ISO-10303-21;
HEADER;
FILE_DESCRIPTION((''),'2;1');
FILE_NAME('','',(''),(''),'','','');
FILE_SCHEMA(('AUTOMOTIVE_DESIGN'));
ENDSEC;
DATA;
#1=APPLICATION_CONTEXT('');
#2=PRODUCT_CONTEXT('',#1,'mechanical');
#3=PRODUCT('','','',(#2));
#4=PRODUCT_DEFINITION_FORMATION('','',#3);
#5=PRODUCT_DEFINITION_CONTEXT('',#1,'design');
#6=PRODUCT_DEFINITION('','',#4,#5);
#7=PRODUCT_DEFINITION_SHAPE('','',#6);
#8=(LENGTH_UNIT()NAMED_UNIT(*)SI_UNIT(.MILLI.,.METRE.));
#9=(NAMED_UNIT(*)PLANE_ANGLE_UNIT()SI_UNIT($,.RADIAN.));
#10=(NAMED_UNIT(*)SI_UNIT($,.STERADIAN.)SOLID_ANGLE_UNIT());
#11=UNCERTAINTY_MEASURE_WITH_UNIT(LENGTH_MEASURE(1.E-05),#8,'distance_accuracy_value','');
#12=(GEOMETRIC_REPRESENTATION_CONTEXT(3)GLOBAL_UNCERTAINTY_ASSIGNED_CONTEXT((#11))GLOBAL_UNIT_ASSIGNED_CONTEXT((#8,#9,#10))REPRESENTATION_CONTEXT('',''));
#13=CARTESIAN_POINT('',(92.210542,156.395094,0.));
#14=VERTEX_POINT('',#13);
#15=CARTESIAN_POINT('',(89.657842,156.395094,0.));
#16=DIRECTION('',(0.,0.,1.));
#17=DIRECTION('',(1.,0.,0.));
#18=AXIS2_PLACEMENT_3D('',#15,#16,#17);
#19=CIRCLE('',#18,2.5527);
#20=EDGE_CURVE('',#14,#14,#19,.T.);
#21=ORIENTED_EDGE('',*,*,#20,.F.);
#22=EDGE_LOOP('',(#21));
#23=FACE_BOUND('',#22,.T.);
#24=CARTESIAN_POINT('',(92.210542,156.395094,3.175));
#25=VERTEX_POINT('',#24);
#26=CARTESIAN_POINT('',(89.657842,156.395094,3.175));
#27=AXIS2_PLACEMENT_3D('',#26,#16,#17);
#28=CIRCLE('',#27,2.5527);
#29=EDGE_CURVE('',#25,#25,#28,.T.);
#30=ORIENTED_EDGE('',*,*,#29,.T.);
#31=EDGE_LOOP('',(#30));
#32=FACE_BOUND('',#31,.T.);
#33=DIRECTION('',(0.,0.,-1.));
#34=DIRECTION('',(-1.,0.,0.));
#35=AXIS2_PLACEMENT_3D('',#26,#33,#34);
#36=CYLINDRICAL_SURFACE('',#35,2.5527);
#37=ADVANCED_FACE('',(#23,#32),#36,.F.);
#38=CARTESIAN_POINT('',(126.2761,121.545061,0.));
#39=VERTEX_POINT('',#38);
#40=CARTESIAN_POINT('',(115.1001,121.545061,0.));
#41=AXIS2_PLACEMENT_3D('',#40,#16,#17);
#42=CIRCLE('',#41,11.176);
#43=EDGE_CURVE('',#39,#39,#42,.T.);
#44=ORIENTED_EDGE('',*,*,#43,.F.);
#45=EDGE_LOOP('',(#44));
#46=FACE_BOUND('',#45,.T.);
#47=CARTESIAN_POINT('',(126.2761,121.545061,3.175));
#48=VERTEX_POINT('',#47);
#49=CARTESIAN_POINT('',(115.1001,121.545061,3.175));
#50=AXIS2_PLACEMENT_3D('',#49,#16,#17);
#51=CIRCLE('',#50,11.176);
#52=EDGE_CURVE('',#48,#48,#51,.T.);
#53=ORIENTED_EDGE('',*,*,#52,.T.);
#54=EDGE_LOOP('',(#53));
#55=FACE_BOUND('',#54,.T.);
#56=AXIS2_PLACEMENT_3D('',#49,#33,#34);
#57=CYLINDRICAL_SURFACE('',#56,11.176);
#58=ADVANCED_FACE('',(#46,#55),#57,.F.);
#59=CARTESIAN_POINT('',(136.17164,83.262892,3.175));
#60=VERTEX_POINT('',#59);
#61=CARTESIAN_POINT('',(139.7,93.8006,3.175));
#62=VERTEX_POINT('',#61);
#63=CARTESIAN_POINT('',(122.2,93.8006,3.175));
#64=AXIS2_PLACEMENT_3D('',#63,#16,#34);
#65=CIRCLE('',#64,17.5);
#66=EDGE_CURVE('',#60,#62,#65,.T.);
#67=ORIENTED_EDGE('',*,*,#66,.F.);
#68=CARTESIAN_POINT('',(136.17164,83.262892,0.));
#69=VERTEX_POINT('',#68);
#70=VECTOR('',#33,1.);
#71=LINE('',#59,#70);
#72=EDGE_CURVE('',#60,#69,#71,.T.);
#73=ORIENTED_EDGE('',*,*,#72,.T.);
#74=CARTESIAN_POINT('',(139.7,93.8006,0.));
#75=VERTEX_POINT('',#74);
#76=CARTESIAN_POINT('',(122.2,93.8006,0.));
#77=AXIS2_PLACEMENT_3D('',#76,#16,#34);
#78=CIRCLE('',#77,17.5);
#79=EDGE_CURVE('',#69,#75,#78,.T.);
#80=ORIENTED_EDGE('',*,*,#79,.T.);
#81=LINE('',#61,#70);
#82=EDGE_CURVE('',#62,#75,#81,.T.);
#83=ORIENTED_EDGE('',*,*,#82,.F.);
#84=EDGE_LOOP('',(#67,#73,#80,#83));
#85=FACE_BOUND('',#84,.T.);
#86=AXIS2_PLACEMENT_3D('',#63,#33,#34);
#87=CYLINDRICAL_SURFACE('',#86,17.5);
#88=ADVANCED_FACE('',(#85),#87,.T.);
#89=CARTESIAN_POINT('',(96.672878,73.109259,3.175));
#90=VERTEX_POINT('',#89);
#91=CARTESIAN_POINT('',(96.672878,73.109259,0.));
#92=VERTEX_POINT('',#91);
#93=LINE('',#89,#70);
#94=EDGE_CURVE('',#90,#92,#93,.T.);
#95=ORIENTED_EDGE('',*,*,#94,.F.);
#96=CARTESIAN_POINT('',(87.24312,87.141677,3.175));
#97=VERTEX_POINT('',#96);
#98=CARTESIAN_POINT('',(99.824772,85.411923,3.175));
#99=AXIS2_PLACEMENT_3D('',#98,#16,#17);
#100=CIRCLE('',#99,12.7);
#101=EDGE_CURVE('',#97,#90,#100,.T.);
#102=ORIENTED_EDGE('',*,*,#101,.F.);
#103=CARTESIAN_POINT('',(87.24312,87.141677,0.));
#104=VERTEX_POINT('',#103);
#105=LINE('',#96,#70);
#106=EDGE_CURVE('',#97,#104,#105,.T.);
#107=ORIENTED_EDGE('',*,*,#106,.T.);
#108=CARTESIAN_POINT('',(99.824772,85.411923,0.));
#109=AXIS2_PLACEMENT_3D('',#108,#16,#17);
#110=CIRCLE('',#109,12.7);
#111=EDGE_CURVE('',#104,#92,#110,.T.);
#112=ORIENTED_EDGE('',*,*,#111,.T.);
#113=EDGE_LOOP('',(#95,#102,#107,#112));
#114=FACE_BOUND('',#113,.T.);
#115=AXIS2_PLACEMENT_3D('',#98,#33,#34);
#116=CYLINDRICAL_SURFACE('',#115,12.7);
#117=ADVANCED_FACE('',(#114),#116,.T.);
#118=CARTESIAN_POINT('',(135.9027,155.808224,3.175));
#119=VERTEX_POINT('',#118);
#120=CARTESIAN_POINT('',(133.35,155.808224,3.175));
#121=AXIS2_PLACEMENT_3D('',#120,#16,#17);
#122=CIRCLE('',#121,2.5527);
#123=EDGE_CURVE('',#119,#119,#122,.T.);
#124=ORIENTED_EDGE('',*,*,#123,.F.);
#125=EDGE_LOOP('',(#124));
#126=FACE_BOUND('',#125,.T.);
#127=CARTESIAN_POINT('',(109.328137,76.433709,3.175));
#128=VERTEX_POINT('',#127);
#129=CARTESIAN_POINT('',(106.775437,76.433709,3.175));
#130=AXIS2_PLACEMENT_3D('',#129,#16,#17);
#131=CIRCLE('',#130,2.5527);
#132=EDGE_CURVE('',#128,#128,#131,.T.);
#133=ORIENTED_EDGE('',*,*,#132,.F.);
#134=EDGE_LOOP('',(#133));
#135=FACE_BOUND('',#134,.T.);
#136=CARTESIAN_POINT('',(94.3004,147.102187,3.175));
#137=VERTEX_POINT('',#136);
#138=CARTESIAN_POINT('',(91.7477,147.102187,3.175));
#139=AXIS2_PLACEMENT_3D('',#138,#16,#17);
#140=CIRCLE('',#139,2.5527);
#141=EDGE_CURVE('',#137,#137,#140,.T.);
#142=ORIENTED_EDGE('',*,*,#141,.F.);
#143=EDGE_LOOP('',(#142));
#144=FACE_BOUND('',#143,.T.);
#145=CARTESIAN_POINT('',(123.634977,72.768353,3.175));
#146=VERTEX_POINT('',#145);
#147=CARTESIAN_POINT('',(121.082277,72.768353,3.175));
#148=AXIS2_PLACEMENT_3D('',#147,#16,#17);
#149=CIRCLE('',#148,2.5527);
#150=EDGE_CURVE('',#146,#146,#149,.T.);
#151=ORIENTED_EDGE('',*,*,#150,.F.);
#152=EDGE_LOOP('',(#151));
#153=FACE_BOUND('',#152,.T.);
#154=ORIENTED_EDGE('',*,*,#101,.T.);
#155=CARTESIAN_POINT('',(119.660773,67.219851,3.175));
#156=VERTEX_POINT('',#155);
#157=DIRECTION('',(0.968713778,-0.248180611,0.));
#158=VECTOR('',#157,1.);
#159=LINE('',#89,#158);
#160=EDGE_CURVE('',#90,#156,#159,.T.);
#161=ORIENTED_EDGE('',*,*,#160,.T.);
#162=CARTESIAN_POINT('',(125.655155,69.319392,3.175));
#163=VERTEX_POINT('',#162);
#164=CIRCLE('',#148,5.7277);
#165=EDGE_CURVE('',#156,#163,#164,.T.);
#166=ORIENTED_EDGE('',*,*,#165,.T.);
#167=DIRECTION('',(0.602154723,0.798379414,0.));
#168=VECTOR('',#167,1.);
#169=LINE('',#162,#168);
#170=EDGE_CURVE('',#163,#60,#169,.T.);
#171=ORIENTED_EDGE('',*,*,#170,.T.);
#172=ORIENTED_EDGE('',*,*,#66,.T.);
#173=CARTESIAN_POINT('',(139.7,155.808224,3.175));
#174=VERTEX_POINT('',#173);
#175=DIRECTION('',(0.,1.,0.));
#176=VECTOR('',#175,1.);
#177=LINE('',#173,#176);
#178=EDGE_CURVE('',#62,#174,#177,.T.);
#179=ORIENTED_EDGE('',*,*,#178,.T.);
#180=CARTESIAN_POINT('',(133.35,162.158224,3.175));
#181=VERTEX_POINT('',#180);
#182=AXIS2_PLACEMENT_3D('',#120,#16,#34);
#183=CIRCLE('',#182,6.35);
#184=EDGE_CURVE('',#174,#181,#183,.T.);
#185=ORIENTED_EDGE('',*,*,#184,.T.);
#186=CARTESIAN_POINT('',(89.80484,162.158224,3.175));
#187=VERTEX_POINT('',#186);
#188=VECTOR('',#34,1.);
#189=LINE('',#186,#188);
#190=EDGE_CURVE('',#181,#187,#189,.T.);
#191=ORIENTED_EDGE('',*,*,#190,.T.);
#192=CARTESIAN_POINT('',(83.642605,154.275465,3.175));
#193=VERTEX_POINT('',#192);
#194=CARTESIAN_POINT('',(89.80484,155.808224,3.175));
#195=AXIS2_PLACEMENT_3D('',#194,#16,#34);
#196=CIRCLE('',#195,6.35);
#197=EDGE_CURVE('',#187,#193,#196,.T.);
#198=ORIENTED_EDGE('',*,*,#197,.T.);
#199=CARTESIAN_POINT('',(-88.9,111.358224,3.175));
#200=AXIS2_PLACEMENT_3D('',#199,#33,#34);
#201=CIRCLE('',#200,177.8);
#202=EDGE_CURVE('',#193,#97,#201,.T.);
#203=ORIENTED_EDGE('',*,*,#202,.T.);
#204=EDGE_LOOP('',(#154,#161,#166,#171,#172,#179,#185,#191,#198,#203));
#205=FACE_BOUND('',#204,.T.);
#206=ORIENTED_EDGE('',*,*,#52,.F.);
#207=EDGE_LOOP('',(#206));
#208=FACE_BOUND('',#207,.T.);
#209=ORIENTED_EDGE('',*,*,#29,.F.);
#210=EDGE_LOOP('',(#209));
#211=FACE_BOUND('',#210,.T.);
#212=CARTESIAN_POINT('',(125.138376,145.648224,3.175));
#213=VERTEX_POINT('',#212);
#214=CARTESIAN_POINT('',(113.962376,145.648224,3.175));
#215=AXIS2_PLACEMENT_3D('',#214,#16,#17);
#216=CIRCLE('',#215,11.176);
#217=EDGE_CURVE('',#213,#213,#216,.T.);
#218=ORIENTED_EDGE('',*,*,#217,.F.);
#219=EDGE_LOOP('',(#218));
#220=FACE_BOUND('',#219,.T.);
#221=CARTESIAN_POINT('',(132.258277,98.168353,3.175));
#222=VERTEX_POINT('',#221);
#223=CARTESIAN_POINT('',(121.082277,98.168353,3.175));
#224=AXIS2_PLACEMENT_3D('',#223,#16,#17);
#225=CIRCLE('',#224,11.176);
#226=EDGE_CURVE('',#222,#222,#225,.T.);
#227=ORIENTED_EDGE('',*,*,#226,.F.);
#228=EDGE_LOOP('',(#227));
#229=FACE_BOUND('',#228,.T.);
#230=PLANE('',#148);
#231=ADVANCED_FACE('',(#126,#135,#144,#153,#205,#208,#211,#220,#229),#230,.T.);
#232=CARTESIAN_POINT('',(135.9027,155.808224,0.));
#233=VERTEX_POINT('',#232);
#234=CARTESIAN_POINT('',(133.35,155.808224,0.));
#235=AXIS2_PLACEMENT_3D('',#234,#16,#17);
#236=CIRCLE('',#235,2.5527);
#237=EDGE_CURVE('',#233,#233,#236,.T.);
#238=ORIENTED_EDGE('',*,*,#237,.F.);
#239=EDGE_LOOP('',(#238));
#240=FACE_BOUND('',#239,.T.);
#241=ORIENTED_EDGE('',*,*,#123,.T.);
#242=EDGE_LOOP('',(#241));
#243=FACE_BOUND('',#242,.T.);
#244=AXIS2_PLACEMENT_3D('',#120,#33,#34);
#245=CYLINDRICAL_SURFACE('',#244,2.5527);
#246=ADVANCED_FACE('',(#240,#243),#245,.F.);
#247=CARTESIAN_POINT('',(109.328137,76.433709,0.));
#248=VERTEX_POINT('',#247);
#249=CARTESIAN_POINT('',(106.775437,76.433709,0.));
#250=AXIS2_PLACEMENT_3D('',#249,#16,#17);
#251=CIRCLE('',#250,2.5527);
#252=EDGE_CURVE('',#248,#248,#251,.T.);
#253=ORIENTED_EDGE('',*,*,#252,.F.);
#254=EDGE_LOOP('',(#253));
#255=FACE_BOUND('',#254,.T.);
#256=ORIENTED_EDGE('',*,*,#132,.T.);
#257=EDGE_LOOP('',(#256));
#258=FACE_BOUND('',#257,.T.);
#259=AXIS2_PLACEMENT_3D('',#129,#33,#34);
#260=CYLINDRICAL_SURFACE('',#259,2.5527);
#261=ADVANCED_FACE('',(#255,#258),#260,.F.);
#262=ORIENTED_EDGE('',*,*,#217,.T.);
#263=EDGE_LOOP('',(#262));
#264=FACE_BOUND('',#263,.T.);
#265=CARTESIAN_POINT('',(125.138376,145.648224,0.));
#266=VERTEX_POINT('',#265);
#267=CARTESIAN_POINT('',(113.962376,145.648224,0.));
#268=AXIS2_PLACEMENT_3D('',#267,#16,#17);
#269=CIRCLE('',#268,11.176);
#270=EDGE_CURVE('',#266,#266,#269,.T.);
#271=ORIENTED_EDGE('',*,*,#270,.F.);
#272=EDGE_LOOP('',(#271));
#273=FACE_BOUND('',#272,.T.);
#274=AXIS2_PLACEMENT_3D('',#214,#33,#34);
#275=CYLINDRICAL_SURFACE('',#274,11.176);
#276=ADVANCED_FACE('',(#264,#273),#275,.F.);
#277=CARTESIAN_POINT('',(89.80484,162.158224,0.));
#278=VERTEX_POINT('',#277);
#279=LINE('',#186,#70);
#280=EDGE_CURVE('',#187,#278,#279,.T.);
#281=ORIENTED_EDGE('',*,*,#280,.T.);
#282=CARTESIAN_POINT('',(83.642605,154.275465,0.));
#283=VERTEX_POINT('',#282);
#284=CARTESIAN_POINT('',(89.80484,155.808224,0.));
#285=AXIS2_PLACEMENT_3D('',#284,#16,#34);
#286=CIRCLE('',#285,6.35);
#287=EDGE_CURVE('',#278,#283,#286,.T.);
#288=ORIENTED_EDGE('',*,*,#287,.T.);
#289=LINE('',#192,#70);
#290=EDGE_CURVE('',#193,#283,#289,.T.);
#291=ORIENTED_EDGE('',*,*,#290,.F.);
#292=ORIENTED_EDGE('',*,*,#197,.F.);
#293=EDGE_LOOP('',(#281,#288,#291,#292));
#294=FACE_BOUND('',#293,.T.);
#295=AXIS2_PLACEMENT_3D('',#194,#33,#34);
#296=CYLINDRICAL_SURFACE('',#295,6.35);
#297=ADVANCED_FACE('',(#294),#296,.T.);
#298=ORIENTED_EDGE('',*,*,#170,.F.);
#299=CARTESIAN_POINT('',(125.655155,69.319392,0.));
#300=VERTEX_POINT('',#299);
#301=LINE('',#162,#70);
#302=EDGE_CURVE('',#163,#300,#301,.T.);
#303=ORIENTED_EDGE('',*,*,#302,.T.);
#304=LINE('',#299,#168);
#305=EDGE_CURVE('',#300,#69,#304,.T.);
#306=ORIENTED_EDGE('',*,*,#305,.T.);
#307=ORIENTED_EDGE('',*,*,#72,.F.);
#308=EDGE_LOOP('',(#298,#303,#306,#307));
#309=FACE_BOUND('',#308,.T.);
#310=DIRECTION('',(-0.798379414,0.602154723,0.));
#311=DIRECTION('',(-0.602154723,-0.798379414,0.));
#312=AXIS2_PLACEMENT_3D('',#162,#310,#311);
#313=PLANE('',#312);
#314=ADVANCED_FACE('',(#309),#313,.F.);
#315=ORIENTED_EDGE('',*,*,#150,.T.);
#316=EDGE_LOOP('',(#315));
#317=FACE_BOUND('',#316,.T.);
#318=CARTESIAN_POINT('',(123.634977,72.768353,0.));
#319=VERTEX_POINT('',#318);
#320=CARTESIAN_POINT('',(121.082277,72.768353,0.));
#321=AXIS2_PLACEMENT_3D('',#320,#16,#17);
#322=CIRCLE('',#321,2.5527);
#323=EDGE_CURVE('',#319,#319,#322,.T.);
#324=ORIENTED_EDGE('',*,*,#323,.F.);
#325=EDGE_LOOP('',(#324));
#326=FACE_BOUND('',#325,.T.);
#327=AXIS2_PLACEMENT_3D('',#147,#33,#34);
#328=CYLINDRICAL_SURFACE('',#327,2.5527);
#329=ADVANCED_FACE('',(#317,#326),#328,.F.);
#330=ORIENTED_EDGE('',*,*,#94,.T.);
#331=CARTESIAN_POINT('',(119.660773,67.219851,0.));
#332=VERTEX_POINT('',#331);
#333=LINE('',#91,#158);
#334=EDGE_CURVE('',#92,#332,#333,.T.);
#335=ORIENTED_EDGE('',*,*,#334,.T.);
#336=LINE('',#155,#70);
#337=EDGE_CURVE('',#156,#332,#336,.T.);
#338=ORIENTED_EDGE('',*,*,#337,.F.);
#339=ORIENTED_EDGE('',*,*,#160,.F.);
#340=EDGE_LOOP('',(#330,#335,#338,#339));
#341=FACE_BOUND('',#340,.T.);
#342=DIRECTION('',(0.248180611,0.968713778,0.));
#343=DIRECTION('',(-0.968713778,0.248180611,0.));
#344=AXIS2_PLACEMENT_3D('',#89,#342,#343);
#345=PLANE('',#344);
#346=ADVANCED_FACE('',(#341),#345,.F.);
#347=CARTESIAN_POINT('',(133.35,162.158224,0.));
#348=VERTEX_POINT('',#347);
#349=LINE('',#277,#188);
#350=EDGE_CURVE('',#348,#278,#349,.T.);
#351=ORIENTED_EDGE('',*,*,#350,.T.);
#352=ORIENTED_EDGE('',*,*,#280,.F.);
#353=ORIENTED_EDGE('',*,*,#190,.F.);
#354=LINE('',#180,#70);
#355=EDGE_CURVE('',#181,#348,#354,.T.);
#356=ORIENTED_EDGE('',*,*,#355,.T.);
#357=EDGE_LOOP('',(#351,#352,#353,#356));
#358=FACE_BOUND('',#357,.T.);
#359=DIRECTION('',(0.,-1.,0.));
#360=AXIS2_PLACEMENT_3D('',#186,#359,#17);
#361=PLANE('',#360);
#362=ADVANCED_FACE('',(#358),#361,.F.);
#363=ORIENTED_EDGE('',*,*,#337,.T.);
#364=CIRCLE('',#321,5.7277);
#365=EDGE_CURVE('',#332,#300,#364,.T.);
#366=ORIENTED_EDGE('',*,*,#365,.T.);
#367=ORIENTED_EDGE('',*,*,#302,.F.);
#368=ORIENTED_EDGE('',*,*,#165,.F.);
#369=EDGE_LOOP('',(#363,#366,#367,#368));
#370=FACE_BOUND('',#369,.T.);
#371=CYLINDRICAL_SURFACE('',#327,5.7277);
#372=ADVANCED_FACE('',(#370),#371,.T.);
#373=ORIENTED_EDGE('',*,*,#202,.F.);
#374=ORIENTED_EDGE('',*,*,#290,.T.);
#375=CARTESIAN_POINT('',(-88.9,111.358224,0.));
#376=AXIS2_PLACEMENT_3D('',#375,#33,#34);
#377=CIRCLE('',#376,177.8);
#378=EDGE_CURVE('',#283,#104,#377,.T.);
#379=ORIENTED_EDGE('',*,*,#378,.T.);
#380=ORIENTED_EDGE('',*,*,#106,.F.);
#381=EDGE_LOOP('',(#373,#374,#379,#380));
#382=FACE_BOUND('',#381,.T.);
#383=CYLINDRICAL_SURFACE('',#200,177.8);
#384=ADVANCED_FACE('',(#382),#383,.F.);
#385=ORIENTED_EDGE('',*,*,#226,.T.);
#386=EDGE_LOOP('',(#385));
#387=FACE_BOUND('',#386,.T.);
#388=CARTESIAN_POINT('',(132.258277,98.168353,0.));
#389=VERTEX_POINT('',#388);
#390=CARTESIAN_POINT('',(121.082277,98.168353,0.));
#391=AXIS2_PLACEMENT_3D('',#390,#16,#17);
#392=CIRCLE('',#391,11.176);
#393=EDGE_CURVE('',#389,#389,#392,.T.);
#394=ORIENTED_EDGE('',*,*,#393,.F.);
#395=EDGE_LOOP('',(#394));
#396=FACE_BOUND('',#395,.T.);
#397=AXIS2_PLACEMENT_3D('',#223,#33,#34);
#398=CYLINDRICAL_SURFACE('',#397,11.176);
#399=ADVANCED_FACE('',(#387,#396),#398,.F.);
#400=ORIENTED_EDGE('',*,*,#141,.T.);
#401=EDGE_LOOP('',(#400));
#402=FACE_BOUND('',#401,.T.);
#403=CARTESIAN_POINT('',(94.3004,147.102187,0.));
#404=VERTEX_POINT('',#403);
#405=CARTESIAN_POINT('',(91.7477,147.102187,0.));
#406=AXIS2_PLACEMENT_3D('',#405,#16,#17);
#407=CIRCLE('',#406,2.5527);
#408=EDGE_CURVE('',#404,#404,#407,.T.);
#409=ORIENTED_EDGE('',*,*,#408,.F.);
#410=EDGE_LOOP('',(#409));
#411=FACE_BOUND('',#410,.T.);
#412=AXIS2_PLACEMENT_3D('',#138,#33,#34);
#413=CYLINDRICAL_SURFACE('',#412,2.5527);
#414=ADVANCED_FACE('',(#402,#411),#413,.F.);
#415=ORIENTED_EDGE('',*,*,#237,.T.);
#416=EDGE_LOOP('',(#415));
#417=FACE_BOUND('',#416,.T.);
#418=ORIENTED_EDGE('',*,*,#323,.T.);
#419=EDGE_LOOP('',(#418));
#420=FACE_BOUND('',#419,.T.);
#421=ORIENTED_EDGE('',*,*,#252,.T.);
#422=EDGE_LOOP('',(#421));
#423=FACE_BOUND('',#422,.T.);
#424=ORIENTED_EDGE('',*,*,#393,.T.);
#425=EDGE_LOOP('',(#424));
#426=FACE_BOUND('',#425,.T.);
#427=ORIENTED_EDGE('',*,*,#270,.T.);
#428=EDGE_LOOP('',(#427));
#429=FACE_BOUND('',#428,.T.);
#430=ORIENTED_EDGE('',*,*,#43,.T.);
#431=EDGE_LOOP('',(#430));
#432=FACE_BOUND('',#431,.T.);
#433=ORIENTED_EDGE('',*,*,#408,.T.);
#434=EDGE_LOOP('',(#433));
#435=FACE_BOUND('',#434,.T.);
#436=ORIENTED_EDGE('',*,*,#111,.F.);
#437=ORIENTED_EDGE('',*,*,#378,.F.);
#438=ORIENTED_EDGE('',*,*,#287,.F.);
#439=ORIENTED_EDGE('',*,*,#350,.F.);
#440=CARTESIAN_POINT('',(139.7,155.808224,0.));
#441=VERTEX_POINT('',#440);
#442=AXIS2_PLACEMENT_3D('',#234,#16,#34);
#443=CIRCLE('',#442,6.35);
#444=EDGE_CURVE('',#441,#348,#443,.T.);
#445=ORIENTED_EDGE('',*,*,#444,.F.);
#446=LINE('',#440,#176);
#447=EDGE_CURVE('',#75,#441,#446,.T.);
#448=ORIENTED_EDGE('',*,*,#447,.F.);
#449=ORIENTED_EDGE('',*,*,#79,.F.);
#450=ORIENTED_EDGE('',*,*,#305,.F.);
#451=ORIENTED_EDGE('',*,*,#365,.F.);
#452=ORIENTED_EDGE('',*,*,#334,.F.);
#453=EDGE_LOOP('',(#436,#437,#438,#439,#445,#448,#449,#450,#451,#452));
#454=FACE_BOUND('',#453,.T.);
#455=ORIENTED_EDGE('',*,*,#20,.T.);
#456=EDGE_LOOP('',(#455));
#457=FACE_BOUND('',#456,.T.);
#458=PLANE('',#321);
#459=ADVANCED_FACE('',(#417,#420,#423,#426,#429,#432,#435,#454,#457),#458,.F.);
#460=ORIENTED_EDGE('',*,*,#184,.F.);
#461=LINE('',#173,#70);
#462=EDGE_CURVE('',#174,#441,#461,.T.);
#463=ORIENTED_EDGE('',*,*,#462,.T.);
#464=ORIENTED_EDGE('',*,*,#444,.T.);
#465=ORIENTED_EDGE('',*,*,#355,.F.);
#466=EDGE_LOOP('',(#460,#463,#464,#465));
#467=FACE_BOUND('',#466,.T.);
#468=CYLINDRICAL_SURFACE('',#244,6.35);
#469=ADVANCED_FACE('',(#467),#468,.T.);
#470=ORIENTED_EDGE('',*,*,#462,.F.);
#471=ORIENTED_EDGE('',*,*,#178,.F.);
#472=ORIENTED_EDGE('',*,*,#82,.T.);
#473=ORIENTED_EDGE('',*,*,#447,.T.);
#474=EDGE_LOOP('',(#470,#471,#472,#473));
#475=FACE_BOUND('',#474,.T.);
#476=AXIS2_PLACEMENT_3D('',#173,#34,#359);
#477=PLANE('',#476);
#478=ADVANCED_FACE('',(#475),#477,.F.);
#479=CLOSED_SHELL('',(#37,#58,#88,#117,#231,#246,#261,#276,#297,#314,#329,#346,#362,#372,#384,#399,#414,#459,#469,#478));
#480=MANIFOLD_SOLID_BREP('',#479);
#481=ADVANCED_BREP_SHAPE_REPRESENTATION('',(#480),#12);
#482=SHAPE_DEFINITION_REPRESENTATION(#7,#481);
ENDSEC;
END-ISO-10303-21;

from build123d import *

# Parameters (mm, degrees)
SKETCH2_R           = 2.5527
SKETCH2_R_2         = 11.176
BOSS_EXTRUDE1_DEPTH = 3.175


with BuildPart() as part:
    # Sketch2 → Boss-Extrude1 (new body)
    with BuildSketch(Plane.XY):
        with BuildLine():
            Line((89.804840449, 162.158224077), (133.35, 162.158224077))
            ThreePointArc((133.35, 162.158224077), (137.840128061, 160.298352138), (139.7, 155.808224077))
            Line((139.7, 155.808224077), (139.7, 93.800599977))
            ThreePointArc((139.7, 93.800599977), (138.794482451, 88.24423856), (136.171639749, 83.262892317))
            Line((136.171639749, 83.262892317), (125.655155155, 69.319391612))
            ThreePointArc((125.655155155, 69.319391612), (122.975635879, 67.362639494), (119.660773298, 67.219851313))
            Line((119.660773298, 67.219851313), (96.672878026, 73.109258508))
            ThreePointArc((96.672878026, 73.109258508), (89.283742308, 78.328372298), (87.243120334, 87.141676865))
            ThreePointArc((87.243120334, 87.141676865), (88.644839635, 120.88029943), (83.642604572, 154.275465457))
            ThreePointArc((83.642604572, 154.275465457), (84.802065357, 159.719073266), (89.804840449, 162.158224077))
        make_face()
        with Locations((89.657841737, 156.395094021)):
            Circle(SKETCH2_R, mode=Mode.SUBTRACT)
        with Locations((91.747700228, 147.102187237)):
            Circle(SKETCH2_R, mode=Mode.SUBTRACT)
        with Locations((106.775437357, 76.433708644)):
            Circle(SKETCH2_R, mode=Mode.SUBTRACT)
        with Locations((115.1001, 121.545060726)):
            Circle(SKETCH2_R_2, mode=Mode.SUBTRACT)
        with Locations((113.962375762, 145.648224077)):
            Circle(SKETCH2_R_2, mode=Mode.SUBTRACT)
        with Locations((133.35, 155.808224077)):
            Circle(SKETCH2_R, mode=Mode.SUBTRACT)
        with Locations((121.082277384, 72.768353221)):
            Circle(SKETCH2_R, mode=Mode.SUBTRACT)
        with Locations((121.082277384, 98.168353221)):
            Circle(SKETCH2_R_2, mode=Mode.SUBTRACT)
    extrude(amount=BOSS_EXTRUDE1_DEPTH)


solid = part.part
